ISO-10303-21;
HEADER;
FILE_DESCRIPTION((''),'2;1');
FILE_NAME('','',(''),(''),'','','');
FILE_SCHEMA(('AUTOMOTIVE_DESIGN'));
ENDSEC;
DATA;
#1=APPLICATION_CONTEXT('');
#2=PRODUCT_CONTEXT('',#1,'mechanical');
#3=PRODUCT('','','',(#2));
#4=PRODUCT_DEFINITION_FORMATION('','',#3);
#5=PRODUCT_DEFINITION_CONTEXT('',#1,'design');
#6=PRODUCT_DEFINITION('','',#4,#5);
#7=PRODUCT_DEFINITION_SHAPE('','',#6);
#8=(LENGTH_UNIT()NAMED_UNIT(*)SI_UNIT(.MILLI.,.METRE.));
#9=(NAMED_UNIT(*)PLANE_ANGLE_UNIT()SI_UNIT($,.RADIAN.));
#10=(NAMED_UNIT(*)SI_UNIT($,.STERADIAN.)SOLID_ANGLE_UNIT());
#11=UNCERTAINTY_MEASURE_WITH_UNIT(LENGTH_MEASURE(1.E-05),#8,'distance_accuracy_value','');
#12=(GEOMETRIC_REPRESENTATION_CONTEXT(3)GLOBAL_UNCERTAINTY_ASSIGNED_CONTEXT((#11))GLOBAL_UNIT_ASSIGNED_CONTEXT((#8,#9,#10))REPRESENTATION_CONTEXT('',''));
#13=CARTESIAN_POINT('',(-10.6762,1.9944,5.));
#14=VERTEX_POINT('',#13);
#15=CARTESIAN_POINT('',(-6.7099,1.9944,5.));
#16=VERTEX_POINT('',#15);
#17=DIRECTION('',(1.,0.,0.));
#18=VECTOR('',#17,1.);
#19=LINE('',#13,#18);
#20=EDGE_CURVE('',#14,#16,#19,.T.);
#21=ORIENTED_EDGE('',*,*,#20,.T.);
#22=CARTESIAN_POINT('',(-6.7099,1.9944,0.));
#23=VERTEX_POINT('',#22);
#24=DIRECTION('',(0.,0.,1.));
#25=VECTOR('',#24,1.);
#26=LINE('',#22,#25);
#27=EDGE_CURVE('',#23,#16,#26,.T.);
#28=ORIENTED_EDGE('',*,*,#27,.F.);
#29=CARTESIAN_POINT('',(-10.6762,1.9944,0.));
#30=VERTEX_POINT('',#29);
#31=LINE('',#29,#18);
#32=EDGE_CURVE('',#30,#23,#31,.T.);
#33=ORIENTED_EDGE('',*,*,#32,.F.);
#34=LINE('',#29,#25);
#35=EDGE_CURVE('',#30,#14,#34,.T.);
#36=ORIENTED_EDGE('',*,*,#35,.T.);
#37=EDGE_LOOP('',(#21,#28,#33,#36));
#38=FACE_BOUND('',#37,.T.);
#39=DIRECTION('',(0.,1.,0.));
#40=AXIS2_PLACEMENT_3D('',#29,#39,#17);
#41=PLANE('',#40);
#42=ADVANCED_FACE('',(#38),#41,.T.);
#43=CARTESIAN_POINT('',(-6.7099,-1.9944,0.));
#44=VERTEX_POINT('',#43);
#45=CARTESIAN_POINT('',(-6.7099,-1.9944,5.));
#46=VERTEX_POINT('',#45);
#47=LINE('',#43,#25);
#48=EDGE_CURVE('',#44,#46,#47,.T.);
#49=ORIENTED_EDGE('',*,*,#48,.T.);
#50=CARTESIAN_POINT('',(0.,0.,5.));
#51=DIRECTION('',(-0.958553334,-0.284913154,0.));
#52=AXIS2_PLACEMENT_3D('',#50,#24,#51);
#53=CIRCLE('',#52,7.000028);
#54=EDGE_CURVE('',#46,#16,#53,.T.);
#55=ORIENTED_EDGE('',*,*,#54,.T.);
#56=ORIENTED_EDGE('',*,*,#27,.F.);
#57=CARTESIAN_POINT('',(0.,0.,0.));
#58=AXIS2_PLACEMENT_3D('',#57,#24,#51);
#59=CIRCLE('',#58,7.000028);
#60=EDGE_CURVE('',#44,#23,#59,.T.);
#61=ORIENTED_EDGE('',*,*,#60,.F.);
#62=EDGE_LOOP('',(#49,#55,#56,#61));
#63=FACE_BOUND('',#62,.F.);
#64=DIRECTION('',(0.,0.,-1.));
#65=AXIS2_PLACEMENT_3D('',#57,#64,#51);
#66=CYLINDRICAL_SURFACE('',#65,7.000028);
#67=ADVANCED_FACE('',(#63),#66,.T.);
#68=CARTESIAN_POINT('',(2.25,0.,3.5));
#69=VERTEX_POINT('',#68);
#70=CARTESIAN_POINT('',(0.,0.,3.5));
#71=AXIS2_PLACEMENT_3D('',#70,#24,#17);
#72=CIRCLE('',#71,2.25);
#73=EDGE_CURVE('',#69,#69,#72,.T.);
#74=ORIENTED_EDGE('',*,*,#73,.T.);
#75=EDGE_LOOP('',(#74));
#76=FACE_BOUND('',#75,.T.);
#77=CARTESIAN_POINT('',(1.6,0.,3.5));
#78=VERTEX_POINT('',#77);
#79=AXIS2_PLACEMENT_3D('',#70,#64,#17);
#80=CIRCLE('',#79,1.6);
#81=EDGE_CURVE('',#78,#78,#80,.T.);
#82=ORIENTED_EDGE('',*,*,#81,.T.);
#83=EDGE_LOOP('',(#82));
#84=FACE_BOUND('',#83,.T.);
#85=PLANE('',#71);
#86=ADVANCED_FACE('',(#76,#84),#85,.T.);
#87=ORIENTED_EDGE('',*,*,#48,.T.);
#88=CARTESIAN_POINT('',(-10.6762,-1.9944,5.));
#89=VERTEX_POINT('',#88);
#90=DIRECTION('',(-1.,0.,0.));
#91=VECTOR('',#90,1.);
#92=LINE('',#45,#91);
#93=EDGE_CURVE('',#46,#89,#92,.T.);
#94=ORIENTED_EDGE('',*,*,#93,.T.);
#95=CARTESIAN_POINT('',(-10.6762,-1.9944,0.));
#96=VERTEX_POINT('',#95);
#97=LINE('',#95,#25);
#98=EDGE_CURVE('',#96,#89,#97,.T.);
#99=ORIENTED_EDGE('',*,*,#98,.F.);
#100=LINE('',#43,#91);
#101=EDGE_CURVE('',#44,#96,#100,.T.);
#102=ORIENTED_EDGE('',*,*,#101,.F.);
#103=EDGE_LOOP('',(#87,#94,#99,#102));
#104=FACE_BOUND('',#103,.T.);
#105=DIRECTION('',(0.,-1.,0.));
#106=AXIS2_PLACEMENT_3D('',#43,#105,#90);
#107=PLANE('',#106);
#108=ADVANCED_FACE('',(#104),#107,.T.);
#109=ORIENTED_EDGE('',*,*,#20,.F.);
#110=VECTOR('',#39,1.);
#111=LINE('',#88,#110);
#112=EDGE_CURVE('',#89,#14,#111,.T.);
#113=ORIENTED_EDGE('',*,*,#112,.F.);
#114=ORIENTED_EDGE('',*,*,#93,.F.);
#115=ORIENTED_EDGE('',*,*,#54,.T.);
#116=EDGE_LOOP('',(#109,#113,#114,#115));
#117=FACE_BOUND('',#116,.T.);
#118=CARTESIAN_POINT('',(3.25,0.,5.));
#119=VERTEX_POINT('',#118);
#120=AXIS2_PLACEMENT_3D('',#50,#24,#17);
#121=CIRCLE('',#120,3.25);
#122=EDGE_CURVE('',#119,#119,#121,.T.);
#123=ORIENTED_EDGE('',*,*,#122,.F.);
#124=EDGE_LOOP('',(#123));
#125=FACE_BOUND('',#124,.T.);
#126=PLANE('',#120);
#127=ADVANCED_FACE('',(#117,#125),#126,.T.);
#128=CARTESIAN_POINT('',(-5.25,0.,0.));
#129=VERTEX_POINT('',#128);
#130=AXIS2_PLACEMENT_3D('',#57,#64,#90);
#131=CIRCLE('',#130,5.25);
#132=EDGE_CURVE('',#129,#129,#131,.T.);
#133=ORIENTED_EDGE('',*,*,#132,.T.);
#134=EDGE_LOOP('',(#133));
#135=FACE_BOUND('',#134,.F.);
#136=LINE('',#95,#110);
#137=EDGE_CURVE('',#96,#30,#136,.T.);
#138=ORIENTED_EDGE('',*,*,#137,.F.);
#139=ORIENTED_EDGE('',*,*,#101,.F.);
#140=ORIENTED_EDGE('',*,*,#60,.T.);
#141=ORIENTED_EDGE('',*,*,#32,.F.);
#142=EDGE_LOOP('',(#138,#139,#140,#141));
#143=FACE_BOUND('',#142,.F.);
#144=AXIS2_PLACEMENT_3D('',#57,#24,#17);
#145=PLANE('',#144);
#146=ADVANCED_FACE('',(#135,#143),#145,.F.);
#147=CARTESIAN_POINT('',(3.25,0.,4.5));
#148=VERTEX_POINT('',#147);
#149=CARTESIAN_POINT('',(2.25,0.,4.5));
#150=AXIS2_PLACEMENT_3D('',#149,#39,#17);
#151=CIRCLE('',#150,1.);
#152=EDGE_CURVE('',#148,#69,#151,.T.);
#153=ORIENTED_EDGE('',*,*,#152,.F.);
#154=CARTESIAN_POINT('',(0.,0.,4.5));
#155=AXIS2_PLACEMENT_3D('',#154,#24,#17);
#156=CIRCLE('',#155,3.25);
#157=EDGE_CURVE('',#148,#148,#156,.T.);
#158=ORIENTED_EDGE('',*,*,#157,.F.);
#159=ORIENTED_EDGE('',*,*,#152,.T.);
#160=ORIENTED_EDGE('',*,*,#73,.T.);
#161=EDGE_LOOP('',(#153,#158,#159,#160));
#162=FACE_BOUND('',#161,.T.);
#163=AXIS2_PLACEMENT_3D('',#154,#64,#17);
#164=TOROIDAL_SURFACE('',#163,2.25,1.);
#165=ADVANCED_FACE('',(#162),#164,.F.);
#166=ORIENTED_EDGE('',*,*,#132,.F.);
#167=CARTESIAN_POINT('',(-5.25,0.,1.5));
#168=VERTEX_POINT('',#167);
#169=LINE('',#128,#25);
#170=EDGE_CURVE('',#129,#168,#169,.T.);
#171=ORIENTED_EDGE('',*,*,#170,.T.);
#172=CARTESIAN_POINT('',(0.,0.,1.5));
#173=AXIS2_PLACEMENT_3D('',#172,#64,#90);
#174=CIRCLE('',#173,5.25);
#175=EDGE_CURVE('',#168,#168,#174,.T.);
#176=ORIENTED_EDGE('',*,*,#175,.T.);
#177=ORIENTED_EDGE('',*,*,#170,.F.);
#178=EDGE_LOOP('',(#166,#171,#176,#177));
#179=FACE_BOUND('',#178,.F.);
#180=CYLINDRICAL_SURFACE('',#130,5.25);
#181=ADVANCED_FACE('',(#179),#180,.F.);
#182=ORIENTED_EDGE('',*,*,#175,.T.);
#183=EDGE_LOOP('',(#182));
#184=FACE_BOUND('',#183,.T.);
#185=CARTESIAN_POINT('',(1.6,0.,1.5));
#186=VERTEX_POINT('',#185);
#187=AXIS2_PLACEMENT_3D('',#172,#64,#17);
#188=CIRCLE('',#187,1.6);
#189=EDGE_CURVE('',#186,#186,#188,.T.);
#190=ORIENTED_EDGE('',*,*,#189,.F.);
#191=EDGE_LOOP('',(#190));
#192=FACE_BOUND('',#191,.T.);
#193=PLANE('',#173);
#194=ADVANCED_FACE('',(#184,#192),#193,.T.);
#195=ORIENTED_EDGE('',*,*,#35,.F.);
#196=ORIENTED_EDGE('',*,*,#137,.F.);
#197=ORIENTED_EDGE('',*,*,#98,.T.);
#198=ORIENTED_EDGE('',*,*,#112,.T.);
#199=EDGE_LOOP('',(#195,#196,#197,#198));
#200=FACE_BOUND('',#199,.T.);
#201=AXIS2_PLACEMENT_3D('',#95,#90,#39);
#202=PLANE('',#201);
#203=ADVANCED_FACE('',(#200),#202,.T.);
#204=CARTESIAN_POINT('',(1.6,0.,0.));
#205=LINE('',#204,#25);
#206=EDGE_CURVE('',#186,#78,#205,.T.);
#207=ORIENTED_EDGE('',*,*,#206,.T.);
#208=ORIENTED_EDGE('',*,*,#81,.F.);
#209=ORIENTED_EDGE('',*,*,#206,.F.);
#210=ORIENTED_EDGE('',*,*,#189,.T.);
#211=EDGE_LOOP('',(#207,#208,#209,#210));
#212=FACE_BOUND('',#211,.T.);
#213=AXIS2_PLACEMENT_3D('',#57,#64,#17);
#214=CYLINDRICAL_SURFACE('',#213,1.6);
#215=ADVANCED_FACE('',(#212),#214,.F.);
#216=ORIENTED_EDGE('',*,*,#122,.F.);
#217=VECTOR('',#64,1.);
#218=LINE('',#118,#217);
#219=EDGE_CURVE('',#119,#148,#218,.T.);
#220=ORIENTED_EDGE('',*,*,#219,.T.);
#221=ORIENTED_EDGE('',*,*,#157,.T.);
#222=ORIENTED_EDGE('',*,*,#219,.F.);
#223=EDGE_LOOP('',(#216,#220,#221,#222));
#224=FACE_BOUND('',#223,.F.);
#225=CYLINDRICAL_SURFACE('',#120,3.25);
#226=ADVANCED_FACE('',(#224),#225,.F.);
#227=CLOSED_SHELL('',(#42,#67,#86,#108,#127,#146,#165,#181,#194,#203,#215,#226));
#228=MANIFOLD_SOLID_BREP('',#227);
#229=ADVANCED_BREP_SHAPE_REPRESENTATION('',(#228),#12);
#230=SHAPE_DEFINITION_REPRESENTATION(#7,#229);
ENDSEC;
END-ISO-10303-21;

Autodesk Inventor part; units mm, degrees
ref_plane "YZ Plane" through (0, 0, 0) normal (1, 0, 0) x (0, 1, 0)
ref_plane "XZ Plane" through (0, 0, 0) normal (0, 1, 0) x (-1, 0, 0)
ref_plane "XY Plane" through (0, 0, 0) normal (0, 0, 1) x (1, 0, 0)
sketch "草图1" plane through (0, 0, 0) normal (0, 0, 1) x (1, 0, 0)
  arc A0 (-6.7099, -1.9944) -> (-6.7099, 1.9944) centre (0, 0) ccw
  line L0 (-6.7099, -1.9944) -> (-10.6762, -1.9944)
  line L1 (-10.6762, -1.9944) -> (-10.6762, 1.9944)
  line L2 (-10.6762, 1.9944) -> (-6.7099, 1.9944)
  line L3 (-2.516, -5.9831) -> (-10.6762, 1.9944) construction
  line L4 (-10.6762, -1.9944) -> (-0.0773, -1.9944) construction
  circle A1 centre (0, 0) radius 1.6
  point P0 (-6.5961, -1.9944)
  dimension "d0" = 7
  dimension "d1" = 3.2
extrude "拉伸1" add sketch "草图1" along normal blind 5
sketch "草图2" plane through (0, 0, 0) normal (0, 0, -1) x (-1, 0, 0)
  circle A0 centre (0, 0) radius 5.25
  dimension "d4" = 10.5
extrude "拉伸2" cut sketch "草图2" against normal blind 1.5
sketch "草图3" plane through (0, 0, 5) normal (0, 0, 1) x (1, 0, 0)
  circle A0 centre (0, 0) radius 3.25
  dimension "d7" = 6.5
extrude "拉伸3" cut sketch "草图3" against normal blind 1.5
fillet "圆角1" radius 1 1 edges at (-3.25, 0, 3.5)
properties part number "编码器模型"
